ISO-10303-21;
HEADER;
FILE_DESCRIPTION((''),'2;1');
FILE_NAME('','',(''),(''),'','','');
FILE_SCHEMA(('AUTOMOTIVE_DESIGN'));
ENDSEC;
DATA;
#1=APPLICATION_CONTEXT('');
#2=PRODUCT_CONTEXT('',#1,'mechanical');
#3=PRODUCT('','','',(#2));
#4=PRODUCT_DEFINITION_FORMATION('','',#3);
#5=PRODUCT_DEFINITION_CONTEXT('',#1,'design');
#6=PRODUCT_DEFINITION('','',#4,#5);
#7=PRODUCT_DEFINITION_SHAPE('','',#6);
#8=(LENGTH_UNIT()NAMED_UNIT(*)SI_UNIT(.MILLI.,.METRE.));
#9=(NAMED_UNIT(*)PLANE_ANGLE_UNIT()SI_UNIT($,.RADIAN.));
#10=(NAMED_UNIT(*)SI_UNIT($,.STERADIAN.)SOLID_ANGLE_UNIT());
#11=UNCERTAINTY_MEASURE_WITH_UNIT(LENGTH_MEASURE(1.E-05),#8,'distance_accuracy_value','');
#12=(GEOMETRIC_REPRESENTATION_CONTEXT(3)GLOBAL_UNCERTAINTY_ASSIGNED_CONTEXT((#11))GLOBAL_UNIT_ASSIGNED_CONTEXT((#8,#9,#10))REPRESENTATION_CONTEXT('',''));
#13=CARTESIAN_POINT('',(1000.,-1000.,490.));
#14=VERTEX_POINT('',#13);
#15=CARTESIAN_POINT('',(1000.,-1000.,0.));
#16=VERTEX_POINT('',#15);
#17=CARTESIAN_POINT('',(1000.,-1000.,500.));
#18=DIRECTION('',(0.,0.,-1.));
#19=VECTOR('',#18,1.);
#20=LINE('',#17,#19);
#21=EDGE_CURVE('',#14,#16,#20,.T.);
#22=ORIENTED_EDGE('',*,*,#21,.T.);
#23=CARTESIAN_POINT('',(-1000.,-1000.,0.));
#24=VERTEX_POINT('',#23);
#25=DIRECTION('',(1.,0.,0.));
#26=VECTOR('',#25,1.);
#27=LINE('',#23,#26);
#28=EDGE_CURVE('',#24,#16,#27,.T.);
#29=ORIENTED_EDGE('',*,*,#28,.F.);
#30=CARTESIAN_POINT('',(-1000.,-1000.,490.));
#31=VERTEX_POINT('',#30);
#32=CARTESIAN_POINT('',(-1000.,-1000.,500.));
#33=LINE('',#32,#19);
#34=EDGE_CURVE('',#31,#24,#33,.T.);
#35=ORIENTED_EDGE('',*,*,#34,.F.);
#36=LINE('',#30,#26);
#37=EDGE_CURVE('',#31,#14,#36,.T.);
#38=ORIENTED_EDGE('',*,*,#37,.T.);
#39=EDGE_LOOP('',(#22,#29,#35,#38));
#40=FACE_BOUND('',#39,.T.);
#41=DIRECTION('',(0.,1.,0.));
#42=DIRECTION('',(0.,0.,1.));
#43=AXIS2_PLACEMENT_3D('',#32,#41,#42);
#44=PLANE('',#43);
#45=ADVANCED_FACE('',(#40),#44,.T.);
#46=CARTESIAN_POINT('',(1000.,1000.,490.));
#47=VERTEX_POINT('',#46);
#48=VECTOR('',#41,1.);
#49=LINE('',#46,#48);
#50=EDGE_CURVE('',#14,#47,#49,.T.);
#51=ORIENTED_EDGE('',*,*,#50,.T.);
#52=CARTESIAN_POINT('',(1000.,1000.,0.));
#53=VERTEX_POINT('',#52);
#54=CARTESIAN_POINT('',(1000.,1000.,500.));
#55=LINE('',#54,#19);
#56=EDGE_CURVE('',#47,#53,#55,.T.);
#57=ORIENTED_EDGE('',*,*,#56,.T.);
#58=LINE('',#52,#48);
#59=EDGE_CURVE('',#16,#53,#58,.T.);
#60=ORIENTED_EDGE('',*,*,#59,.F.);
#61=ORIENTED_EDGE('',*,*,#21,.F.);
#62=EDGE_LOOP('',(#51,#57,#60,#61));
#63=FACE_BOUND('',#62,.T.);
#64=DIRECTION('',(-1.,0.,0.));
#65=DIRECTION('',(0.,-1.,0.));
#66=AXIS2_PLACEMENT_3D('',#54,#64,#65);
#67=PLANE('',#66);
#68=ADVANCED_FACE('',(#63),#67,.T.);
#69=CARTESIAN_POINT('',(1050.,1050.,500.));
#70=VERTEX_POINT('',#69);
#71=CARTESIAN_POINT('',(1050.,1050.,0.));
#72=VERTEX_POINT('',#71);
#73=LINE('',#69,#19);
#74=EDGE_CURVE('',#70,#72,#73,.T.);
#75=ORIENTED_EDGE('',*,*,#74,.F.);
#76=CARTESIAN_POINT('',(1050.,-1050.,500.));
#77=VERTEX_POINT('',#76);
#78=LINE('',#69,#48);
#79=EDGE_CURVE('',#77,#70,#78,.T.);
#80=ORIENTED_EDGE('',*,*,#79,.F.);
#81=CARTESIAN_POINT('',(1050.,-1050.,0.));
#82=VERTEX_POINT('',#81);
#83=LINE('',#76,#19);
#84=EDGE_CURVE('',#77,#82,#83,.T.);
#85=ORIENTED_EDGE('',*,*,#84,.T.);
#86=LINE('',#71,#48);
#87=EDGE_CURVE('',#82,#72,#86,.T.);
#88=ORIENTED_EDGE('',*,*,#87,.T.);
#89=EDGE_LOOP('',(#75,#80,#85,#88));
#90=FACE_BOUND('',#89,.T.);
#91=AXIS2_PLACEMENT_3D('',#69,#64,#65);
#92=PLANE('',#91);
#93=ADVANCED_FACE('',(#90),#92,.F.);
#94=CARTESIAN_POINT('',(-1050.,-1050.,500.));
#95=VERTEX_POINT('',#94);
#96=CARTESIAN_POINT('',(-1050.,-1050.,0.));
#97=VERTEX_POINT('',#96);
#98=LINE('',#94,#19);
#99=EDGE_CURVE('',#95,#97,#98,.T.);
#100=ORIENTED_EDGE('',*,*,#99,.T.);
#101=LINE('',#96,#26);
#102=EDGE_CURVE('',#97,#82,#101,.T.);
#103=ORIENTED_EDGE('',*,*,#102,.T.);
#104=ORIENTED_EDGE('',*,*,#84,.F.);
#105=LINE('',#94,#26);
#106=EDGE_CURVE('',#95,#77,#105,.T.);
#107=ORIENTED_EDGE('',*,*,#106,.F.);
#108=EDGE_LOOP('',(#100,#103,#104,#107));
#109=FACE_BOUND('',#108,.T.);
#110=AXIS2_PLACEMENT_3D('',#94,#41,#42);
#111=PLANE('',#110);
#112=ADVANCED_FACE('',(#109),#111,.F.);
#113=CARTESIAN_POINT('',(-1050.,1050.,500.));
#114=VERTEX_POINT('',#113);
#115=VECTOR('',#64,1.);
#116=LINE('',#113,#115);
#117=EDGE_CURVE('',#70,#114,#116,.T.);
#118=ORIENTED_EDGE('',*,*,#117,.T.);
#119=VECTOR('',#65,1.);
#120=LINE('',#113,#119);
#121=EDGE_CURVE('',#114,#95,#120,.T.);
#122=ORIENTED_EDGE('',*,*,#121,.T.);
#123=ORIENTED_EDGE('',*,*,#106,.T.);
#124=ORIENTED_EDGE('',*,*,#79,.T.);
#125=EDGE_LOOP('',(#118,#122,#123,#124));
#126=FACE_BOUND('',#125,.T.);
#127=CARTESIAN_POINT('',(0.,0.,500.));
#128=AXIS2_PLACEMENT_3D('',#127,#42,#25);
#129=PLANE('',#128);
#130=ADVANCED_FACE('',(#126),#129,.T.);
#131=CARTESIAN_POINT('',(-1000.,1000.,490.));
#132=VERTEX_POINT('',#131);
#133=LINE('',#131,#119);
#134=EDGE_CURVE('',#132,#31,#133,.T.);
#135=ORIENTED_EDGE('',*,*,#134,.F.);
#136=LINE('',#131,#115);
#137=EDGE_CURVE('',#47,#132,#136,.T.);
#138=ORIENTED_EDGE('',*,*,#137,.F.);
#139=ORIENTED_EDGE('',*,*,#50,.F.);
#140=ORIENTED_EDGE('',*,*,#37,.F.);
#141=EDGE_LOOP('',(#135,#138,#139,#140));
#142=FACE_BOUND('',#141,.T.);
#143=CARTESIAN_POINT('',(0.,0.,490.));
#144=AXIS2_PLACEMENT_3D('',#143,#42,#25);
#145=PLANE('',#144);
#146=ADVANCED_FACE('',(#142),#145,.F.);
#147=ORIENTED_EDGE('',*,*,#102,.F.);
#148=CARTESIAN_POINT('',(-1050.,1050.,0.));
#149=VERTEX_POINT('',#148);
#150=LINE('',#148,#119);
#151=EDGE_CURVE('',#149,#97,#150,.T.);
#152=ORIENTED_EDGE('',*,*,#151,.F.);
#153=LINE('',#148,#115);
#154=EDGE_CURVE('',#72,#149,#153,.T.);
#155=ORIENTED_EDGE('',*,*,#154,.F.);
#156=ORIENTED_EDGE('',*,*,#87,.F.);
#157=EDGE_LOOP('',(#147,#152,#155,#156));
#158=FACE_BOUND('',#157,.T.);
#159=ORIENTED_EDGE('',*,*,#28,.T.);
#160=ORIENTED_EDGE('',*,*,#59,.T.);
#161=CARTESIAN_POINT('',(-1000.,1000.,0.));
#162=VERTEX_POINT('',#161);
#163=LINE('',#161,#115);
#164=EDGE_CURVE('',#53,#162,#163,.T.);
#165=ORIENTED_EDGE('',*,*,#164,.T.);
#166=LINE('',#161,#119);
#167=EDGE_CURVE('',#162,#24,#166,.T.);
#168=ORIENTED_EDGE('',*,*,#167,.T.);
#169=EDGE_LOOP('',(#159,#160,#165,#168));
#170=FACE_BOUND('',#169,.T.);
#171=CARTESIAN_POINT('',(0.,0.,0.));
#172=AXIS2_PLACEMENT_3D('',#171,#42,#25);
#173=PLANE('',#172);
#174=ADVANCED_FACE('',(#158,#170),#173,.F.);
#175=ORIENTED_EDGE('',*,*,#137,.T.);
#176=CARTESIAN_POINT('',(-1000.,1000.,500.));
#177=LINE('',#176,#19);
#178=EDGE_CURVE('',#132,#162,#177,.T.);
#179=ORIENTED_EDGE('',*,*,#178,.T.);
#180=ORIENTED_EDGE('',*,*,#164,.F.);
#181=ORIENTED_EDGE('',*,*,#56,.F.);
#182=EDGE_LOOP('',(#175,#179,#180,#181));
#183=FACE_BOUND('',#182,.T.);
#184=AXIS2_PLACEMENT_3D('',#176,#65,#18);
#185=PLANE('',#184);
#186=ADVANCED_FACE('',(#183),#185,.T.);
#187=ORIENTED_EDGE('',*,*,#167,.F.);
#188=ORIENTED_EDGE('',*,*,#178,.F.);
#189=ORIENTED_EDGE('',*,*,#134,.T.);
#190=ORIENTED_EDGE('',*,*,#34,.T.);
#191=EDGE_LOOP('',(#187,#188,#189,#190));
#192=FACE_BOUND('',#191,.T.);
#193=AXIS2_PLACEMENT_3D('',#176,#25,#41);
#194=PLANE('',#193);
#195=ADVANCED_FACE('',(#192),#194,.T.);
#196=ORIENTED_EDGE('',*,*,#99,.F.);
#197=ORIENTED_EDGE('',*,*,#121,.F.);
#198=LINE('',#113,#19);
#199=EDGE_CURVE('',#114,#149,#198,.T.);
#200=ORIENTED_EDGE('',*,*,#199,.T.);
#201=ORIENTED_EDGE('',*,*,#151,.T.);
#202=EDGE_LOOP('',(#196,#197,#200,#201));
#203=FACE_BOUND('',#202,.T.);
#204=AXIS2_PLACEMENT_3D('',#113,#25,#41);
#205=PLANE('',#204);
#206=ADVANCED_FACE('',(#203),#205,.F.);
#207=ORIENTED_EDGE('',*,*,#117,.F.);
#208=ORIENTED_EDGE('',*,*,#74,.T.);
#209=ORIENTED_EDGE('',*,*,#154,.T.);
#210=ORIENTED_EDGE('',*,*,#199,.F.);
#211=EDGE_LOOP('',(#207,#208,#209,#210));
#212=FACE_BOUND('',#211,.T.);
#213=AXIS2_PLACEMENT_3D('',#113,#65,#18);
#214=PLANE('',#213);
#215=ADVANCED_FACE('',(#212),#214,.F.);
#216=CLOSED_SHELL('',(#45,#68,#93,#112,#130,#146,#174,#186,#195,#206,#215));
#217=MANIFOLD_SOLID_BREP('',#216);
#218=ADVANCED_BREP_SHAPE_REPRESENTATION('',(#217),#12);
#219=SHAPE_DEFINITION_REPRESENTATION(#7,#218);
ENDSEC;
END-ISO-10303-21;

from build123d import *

# Parameters (mm, degrees)
SKETCH1_W           = 2100
SKETCH1_H           = 2100
SKETCH1_W_2         = 2000
SKETCH1_H_2         = 2000
BOSS_EXTRUDE1_DEPTH = 500
SKETCH2_W           = 2100
SKETCH2_H           = 2100
BOSS_EXTRUDE2_DEPTH = 10


with BuildPart() as part:
    # Sketch1 → Boss-Extrude1 (new body)
    with BuildSketch(Plane.XY):
        Rectangle(SKETCH1_W, SKETCH1_H)
        Rectangle(SKETCH1_W_2, SKETCH1_H_2, mode=Mode.SUBTRACT)
    extrude(amount=BOSS_EXTRUDE1_DEPTH)

    # Sketch2 → Boss-Extrude2 (add)
    with BuildSketch(Plane.XY.offset(500)):
        Rectangle(SKETCH2_W, SKETCH2_H)
    extrude(amount=-BOSS_EXTRUDE2_DEPTH)


solid = part.part
